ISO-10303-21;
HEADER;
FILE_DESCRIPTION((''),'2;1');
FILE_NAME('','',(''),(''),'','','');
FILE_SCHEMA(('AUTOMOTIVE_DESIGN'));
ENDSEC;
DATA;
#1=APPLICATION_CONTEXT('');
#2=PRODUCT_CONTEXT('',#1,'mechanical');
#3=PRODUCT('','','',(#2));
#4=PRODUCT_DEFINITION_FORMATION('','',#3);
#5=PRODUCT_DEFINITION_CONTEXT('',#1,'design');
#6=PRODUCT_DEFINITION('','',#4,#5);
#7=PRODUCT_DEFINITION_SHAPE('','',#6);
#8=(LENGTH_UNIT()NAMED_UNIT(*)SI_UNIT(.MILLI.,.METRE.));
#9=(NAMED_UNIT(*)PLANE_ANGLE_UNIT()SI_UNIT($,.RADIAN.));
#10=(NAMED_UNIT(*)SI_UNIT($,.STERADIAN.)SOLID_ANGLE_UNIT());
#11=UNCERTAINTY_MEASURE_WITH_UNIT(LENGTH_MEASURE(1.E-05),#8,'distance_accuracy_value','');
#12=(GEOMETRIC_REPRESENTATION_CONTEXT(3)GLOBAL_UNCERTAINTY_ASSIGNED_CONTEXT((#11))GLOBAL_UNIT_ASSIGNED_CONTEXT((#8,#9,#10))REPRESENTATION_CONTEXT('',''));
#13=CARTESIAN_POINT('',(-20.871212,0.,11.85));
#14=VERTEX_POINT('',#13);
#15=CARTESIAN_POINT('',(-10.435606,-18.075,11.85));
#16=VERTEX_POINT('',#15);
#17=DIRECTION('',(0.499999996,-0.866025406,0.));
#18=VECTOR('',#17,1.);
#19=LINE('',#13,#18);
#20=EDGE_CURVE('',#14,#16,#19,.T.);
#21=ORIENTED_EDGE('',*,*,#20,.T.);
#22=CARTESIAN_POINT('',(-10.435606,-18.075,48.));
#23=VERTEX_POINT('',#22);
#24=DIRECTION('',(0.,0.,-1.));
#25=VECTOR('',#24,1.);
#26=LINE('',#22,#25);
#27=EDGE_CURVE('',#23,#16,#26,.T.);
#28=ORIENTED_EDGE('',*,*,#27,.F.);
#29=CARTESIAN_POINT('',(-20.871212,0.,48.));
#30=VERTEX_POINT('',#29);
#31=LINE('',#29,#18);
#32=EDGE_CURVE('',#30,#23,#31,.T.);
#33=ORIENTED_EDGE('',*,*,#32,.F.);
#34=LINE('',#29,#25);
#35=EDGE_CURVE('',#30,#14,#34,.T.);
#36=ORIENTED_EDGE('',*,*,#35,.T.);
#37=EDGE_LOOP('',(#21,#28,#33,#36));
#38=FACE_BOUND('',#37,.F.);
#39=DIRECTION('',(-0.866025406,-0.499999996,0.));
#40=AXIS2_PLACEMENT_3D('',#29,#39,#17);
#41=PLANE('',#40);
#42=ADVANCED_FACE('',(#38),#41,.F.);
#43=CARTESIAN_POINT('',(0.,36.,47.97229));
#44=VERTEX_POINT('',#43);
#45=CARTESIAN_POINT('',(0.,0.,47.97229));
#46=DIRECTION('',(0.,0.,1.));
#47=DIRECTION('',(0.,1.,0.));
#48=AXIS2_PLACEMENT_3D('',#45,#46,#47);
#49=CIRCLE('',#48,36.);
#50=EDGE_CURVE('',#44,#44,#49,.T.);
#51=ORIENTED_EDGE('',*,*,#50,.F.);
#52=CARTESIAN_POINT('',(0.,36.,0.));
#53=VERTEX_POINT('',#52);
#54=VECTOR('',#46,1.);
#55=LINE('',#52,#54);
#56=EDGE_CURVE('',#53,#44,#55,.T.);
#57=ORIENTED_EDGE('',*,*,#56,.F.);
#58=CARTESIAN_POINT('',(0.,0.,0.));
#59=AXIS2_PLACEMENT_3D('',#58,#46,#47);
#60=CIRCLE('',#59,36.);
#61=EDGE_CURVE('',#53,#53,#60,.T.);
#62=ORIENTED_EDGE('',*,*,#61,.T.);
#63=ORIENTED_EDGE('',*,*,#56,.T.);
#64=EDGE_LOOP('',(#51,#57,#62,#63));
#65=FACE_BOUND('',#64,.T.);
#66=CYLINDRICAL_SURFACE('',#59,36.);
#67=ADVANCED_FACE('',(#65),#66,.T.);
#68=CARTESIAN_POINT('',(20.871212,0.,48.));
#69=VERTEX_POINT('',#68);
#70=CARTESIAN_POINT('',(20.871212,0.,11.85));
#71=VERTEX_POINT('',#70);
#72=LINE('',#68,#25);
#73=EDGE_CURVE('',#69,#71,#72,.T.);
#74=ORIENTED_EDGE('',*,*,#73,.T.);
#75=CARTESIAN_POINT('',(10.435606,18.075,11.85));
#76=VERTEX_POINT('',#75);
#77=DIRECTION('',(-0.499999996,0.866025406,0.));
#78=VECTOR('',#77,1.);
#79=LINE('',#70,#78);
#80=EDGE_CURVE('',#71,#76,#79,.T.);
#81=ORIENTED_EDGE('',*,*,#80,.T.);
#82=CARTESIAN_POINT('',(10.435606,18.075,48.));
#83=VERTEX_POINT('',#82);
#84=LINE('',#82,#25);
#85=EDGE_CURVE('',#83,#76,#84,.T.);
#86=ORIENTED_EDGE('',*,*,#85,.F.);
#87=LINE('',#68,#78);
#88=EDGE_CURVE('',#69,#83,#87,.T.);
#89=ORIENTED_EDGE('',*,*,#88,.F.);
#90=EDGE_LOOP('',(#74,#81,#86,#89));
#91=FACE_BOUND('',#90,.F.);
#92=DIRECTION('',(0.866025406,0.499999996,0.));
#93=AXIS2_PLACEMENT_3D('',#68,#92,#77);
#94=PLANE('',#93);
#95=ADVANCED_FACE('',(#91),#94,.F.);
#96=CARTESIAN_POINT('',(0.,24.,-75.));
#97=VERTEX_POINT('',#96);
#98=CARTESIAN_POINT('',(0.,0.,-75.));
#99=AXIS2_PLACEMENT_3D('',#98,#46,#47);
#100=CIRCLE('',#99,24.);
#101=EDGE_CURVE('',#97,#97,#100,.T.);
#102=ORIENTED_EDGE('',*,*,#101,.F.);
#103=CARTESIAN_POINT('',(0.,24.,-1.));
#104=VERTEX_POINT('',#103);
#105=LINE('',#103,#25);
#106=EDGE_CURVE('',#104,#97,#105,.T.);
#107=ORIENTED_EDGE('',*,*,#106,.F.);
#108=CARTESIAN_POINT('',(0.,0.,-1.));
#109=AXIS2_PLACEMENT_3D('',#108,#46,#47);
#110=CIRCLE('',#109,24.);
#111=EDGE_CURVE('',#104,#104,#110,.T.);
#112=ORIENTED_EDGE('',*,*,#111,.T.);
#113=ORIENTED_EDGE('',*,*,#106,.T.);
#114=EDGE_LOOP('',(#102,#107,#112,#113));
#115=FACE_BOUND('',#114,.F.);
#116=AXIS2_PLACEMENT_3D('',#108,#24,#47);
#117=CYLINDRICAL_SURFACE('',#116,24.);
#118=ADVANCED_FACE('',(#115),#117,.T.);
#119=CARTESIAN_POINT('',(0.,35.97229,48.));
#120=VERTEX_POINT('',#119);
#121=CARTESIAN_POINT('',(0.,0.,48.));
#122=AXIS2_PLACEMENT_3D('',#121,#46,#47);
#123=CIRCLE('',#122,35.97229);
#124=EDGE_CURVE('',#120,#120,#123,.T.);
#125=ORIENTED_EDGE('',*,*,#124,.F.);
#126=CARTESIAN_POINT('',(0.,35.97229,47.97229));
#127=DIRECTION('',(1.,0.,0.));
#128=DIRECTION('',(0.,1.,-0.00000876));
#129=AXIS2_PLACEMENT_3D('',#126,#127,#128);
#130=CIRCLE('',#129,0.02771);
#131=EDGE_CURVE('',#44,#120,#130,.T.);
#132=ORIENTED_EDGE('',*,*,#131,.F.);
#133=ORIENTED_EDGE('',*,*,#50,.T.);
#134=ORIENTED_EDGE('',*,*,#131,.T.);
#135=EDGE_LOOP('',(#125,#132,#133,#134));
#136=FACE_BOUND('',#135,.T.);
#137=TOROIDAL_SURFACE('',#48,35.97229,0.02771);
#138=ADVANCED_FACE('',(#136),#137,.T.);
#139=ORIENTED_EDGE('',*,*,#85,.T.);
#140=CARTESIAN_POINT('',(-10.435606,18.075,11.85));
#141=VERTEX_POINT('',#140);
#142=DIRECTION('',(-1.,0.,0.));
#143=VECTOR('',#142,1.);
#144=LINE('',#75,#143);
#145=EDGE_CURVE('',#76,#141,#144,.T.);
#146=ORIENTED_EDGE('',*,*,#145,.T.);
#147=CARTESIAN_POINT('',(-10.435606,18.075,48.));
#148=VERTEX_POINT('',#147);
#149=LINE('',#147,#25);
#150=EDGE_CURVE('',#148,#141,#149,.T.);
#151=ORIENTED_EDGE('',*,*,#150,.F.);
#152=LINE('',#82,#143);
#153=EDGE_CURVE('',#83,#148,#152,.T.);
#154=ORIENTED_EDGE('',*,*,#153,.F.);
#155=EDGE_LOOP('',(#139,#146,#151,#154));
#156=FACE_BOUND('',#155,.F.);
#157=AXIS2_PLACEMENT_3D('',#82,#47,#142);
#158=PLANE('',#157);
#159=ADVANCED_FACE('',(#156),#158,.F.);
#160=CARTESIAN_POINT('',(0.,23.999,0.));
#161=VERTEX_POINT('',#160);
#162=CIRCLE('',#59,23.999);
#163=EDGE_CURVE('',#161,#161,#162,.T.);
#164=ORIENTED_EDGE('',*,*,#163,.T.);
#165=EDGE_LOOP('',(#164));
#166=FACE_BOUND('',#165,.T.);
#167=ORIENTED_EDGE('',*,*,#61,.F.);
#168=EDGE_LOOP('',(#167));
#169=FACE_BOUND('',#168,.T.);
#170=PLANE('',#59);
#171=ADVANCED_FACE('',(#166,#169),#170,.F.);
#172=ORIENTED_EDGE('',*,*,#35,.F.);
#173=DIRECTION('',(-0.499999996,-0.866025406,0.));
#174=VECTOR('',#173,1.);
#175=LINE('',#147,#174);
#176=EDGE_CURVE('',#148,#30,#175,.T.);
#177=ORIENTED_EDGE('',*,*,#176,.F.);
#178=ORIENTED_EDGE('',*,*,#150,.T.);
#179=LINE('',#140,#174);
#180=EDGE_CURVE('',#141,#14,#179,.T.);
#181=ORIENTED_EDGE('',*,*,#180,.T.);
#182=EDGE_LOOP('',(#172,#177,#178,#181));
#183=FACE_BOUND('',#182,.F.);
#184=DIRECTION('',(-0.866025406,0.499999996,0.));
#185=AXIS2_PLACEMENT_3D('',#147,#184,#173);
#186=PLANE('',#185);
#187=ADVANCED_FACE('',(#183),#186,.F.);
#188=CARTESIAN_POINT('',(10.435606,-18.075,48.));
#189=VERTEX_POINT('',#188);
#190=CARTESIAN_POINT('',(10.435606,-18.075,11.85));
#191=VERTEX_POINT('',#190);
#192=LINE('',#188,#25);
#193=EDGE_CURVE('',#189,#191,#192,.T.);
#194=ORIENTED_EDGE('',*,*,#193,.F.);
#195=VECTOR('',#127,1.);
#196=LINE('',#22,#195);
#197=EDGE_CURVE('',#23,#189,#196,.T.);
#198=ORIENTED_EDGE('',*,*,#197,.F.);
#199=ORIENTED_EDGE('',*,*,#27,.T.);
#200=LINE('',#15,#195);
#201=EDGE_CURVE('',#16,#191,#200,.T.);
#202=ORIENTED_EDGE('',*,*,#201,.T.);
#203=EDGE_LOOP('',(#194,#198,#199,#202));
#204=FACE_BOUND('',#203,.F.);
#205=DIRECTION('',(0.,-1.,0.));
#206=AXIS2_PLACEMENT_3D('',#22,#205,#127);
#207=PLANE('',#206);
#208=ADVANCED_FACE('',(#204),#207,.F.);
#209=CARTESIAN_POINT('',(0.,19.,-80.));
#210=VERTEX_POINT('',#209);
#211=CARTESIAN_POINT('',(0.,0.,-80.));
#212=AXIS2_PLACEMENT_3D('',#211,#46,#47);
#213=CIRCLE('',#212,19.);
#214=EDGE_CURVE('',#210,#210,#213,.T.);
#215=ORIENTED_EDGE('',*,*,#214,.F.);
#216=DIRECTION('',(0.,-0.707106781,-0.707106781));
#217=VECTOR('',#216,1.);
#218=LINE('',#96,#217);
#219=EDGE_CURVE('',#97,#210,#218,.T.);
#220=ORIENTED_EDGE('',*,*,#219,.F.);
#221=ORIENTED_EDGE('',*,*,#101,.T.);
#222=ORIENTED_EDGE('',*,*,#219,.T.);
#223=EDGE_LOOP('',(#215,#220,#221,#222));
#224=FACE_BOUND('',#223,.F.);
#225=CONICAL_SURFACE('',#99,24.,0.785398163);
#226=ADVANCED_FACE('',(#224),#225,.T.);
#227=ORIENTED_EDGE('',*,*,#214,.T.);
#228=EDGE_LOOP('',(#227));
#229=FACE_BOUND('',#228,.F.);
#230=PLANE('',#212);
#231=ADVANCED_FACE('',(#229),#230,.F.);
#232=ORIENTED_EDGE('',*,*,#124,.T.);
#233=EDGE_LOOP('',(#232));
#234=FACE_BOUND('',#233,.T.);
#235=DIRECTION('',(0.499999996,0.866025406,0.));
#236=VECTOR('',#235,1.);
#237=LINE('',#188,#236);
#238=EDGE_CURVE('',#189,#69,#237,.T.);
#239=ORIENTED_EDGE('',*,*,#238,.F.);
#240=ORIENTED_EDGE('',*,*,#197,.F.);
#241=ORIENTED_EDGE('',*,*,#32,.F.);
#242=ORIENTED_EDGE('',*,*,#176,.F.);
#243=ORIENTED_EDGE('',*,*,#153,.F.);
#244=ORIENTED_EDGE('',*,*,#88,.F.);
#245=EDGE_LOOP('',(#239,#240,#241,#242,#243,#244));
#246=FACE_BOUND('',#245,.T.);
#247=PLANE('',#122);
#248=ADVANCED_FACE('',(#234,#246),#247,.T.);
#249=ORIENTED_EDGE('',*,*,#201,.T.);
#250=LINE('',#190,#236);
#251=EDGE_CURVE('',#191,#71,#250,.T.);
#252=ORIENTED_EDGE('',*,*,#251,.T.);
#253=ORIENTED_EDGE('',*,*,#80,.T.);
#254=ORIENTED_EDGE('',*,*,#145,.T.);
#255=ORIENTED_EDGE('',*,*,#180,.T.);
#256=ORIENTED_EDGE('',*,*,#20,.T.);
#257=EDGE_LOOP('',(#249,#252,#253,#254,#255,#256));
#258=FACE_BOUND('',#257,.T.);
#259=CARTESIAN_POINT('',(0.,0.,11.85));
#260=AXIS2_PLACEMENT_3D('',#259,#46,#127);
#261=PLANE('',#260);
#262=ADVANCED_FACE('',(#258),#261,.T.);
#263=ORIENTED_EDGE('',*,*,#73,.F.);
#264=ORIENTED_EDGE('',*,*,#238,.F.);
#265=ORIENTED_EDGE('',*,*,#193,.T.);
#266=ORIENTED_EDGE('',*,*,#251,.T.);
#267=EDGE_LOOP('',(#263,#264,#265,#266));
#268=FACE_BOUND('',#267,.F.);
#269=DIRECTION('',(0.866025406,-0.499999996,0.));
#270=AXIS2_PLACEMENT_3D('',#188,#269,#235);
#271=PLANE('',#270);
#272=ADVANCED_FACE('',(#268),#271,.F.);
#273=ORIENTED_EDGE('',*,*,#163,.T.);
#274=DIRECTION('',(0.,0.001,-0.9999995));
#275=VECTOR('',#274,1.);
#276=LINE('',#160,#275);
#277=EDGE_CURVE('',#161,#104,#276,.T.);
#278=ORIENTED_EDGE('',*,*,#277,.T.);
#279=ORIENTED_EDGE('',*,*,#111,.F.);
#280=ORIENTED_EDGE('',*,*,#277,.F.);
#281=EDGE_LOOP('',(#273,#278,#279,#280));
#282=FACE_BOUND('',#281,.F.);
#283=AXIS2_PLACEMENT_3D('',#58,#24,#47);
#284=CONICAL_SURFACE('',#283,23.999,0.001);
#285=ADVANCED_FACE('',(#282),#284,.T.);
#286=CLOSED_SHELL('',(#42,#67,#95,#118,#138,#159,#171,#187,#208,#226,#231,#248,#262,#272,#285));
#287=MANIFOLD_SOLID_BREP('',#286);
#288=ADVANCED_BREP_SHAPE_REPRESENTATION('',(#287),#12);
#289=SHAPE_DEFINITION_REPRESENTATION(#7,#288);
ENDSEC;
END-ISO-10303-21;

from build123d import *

# Parameters (mm, degrees)
POCKET_DEPTH = 36.15


with BuildPart() as part:
    # Sketch → Revolve (revolve)
    with BuildSketch(Plane.YZ):
        with BuildLine():
            Line((23.999, 0), (36, 0))
            Line((36, 0), (36, 47.97229))
            ThreePointArc((36, 47.97229), (35.991884, 47.991884), (35.97229, 48))
            Line((35.97229, 48), (0, 48))
            Line((0, -80), (0, 48))
            Line((19, -80), (0, -80))
            Line((24, -75), (19, -80))
            Line((24, -1), (24, -75))
            Line((23.999, 0), (24, -1))
        make_face()
    revolve(axis=Axis((0, 0, 0), (0, 0, 1)))

    # Sketch001 → Pocket (cut)
    with BuildSketch(Plane.XY.offset(48)):
        Polygon((20.871212, 0), (10.435606, 18.075), (-10.435606, 18.075), (-20.871212, 0), (-10.435606, -18.075), (10.435606, -18.075), align=None)
    extrude(amount=-POCKET_DEPTH, mode=Mode.SUBTRACT)


solid = part.part
